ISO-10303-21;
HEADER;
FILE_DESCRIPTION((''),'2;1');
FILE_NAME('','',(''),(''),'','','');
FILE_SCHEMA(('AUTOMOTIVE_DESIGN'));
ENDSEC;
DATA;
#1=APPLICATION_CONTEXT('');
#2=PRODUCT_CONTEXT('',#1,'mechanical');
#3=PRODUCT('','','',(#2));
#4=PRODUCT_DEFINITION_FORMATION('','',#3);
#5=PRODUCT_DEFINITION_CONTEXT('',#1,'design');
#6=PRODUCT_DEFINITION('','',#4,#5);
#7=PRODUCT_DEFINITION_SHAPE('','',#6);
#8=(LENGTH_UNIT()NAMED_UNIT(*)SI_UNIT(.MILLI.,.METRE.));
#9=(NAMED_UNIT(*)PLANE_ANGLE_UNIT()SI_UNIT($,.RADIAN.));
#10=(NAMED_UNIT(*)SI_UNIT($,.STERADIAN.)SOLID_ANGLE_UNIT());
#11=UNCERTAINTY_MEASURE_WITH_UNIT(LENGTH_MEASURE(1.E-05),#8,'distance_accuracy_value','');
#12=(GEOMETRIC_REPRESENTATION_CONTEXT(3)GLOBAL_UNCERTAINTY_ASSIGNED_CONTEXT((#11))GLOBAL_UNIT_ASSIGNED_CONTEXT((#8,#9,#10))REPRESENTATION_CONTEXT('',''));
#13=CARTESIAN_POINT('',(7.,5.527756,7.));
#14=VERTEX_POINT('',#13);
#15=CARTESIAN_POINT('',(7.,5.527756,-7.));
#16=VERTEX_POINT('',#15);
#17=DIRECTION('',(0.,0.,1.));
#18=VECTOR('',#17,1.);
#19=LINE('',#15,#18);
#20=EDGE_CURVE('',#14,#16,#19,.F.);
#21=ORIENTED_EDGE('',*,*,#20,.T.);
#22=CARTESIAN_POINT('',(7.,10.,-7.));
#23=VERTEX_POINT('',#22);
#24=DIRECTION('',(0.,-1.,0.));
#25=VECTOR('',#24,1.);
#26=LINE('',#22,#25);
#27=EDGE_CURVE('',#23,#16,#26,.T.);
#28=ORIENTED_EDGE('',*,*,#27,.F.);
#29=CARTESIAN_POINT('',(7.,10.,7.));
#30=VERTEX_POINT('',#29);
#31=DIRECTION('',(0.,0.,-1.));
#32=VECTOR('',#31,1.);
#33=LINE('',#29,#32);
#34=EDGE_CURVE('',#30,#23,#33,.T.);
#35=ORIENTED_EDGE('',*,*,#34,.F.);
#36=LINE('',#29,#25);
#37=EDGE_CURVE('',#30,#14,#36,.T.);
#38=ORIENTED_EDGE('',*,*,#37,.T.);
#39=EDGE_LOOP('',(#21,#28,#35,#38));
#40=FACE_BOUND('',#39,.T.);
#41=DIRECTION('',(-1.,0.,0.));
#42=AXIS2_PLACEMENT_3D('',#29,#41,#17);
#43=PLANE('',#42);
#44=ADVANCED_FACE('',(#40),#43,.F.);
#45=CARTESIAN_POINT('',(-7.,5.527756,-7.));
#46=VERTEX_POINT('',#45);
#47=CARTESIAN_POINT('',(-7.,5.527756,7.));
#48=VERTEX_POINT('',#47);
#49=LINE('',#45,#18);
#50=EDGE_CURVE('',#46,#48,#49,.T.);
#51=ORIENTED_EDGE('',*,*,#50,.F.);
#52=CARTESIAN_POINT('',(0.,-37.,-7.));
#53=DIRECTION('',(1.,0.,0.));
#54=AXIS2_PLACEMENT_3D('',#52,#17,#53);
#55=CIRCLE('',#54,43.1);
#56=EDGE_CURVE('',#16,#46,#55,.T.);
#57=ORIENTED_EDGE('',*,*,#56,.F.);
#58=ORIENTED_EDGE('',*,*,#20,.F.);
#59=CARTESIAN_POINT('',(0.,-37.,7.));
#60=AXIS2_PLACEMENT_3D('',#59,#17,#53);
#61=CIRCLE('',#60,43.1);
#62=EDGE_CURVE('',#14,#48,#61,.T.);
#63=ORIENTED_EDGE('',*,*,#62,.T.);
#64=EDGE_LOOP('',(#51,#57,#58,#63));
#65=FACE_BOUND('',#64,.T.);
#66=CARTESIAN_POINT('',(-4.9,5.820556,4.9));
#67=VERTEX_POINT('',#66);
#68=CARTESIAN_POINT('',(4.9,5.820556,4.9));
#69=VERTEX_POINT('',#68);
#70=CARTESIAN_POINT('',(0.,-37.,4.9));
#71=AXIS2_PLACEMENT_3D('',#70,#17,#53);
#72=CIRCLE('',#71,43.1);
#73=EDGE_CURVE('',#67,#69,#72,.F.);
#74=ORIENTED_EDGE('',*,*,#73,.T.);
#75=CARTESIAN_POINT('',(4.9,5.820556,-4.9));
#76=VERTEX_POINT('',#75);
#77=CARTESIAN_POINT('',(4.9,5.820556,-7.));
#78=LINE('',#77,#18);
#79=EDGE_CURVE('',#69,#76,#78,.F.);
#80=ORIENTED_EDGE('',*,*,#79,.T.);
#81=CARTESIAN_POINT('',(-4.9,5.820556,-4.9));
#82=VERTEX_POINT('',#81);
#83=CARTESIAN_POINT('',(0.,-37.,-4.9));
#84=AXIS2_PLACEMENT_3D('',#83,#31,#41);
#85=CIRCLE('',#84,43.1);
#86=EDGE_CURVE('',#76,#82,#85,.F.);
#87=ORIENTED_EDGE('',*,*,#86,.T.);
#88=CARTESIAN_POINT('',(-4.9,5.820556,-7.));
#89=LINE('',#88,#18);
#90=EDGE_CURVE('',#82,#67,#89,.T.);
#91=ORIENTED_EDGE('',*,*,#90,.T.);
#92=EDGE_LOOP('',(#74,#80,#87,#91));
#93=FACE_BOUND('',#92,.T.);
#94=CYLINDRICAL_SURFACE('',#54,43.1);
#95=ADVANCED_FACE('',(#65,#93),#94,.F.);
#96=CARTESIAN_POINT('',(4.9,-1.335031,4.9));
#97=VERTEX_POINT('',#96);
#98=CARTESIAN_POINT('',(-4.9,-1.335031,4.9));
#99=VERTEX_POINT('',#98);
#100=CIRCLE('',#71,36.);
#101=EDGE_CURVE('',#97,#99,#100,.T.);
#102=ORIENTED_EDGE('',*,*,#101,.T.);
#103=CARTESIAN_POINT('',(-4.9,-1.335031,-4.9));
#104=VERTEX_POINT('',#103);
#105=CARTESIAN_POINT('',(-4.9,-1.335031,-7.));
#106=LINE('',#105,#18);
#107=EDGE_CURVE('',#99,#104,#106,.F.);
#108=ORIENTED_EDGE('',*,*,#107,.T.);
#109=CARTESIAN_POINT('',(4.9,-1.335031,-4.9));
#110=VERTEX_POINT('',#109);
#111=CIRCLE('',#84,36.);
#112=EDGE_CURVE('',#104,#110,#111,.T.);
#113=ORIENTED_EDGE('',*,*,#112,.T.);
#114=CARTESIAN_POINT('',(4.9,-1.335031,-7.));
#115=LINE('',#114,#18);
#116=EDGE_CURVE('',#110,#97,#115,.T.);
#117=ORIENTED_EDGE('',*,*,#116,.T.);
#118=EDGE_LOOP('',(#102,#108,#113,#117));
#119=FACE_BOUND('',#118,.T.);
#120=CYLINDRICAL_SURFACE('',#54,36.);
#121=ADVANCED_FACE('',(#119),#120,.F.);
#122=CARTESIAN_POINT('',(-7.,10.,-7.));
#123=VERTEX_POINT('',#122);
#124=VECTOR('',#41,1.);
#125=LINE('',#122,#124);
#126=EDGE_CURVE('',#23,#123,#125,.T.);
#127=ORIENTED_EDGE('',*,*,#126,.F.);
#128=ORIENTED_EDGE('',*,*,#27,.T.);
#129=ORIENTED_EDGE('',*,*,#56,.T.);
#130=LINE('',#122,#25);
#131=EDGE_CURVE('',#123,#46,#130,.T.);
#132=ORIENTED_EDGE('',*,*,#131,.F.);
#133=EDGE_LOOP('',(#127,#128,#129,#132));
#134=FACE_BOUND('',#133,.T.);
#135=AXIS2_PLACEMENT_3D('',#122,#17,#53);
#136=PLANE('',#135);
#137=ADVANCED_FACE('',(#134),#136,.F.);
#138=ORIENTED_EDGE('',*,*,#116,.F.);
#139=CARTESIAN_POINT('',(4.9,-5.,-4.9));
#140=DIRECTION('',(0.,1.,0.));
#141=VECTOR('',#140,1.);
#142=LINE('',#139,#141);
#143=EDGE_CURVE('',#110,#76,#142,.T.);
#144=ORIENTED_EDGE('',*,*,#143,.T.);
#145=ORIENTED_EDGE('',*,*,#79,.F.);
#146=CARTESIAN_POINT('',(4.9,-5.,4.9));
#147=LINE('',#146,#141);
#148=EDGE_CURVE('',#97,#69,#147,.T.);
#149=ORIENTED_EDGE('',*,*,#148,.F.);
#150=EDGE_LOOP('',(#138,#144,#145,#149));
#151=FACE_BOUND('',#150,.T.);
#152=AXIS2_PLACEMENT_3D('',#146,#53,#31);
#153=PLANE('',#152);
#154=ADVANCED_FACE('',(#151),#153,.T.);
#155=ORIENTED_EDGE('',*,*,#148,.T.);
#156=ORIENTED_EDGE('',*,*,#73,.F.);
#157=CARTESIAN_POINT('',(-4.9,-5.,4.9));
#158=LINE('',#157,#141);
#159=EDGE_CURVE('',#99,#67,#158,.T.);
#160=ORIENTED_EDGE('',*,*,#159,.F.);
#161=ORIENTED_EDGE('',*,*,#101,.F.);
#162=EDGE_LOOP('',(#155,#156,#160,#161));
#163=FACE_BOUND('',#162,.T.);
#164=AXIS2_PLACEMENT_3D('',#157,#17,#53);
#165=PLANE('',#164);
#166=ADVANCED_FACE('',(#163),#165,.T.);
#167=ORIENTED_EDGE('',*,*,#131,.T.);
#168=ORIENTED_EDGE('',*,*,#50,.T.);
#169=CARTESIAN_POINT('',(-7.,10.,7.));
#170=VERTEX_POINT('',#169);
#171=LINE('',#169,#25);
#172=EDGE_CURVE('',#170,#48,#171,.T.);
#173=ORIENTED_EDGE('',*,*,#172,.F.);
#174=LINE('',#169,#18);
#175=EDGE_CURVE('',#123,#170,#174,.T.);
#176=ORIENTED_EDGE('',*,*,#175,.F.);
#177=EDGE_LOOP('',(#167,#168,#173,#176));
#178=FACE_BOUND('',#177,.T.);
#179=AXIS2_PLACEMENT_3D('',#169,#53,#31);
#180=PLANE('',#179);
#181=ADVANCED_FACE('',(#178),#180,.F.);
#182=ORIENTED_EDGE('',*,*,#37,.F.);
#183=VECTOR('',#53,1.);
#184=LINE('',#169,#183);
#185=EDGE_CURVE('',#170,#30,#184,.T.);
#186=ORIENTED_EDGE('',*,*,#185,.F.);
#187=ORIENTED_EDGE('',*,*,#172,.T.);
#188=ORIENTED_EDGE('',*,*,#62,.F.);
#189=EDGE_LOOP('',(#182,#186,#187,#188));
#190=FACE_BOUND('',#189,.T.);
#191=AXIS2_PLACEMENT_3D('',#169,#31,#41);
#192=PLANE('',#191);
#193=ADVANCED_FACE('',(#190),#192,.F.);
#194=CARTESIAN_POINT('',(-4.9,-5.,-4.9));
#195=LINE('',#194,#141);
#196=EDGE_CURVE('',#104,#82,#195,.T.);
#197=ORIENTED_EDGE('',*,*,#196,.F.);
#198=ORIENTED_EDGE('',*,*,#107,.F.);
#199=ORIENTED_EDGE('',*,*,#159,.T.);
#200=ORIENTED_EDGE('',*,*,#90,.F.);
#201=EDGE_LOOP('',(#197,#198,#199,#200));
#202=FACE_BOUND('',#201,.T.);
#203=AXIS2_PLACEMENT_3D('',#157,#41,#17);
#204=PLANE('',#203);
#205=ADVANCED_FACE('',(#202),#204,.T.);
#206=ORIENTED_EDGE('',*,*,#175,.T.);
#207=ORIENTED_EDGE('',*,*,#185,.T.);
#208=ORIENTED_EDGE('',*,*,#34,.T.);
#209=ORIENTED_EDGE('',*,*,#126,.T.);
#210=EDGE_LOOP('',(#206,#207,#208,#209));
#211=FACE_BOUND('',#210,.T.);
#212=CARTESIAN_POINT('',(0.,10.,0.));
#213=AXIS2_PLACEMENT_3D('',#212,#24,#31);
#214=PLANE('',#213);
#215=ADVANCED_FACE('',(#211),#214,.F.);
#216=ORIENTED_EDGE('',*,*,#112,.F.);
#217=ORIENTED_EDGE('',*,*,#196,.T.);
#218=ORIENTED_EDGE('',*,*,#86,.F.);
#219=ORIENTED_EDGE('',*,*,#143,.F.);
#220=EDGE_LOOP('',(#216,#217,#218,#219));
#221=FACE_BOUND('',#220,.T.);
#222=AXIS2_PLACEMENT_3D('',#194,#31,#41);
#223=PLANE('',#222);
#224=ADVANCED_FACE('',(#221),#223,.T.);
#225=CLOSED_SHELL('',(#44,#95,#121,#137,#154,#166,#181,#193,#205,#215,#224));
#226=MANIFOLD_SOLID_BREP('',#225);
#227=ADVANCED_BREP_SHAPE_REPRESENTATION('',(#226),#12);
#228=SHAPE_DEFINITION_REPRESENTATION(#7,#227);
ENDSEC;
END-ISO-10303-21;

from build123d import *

# Parameters (mm, degrees)
SKETCH1_W               = 14
SKETCH1_H               = 14
BOSS_EXTRUDE1_DEPTH     = 10
SKETCH2_R               = 43.1
CUT_EXTRUDE1_DEPTH      = 8
CUT_EXTRUDE1_DEPTH_BACK = 8
SKETCH3_W               = 9.8
SKETCH3_H               = 9.8
BOSS_EXTRUDE2_DEPTH     = 15
SKETCH5_R               = 36
CUT_EXTRUDE2_DEPTH      = 8
CUT_EXTRUDE2_DEPTH_BACK = 8


with BuildPart() as part:
    # Sketch1 → Boss-Extrude1 (new body)
    with BuildSketch(Plane(origin=(0, 0, 0), x_dir=(1, 0, 0), z_dir=(0, 1, 0))):
        Rectangle(SKETCH1_W, SKETCH1_H)
    extrude(amount=BOSS_EXTRUDE1_DEPTH)

    # Sketch2 → Cut-Extrude1 (cut, two sides)
    with BuildSketch(Plane.XY) as cut_extrude1_sk:
        with Locations((0, -37)):
            Circle(SKETCH2_R)
    extrude(amount=CUT_EXTRUDE1_DEPTH, mode=Mode.SUBTRACT)
    extrude(cut_extrude1_sk.sketch, amount=-CUT_EXTRUDE1_DEPTH_BACK, mode=Mode.SUBTRACT)

    # Sketch3 → Boss-Extrude2 (add)
    with BuildSketch(Plane(origin=(0, 10, 0), x_dir=(1, 0, 0), z_dir=(0, 1, 0))):
        Rectangle(SKETCH3_W, SKETCH3_H)
    extrude(amount=-BOSS_EXTRUDE2_DEPTH)

    # Sketch5 → Cut-Extrude2 (cut, two sides)
    with BuildSketch(Plane.XY) as cut_extrude2_sk:
        with Locations((0, -37)):
            Circle(SKETCH5_R)
    extrude(amount=CUT_EXTRUDE2_DEPTH, mode=Mode.SUBTRACT)
    extrude(cut_extrude2_sk.sketch, amount=-CUT_EXTRUDE2_DEPTH_BACK, mode=Mode.SUBTRACT)


solid = part.part
